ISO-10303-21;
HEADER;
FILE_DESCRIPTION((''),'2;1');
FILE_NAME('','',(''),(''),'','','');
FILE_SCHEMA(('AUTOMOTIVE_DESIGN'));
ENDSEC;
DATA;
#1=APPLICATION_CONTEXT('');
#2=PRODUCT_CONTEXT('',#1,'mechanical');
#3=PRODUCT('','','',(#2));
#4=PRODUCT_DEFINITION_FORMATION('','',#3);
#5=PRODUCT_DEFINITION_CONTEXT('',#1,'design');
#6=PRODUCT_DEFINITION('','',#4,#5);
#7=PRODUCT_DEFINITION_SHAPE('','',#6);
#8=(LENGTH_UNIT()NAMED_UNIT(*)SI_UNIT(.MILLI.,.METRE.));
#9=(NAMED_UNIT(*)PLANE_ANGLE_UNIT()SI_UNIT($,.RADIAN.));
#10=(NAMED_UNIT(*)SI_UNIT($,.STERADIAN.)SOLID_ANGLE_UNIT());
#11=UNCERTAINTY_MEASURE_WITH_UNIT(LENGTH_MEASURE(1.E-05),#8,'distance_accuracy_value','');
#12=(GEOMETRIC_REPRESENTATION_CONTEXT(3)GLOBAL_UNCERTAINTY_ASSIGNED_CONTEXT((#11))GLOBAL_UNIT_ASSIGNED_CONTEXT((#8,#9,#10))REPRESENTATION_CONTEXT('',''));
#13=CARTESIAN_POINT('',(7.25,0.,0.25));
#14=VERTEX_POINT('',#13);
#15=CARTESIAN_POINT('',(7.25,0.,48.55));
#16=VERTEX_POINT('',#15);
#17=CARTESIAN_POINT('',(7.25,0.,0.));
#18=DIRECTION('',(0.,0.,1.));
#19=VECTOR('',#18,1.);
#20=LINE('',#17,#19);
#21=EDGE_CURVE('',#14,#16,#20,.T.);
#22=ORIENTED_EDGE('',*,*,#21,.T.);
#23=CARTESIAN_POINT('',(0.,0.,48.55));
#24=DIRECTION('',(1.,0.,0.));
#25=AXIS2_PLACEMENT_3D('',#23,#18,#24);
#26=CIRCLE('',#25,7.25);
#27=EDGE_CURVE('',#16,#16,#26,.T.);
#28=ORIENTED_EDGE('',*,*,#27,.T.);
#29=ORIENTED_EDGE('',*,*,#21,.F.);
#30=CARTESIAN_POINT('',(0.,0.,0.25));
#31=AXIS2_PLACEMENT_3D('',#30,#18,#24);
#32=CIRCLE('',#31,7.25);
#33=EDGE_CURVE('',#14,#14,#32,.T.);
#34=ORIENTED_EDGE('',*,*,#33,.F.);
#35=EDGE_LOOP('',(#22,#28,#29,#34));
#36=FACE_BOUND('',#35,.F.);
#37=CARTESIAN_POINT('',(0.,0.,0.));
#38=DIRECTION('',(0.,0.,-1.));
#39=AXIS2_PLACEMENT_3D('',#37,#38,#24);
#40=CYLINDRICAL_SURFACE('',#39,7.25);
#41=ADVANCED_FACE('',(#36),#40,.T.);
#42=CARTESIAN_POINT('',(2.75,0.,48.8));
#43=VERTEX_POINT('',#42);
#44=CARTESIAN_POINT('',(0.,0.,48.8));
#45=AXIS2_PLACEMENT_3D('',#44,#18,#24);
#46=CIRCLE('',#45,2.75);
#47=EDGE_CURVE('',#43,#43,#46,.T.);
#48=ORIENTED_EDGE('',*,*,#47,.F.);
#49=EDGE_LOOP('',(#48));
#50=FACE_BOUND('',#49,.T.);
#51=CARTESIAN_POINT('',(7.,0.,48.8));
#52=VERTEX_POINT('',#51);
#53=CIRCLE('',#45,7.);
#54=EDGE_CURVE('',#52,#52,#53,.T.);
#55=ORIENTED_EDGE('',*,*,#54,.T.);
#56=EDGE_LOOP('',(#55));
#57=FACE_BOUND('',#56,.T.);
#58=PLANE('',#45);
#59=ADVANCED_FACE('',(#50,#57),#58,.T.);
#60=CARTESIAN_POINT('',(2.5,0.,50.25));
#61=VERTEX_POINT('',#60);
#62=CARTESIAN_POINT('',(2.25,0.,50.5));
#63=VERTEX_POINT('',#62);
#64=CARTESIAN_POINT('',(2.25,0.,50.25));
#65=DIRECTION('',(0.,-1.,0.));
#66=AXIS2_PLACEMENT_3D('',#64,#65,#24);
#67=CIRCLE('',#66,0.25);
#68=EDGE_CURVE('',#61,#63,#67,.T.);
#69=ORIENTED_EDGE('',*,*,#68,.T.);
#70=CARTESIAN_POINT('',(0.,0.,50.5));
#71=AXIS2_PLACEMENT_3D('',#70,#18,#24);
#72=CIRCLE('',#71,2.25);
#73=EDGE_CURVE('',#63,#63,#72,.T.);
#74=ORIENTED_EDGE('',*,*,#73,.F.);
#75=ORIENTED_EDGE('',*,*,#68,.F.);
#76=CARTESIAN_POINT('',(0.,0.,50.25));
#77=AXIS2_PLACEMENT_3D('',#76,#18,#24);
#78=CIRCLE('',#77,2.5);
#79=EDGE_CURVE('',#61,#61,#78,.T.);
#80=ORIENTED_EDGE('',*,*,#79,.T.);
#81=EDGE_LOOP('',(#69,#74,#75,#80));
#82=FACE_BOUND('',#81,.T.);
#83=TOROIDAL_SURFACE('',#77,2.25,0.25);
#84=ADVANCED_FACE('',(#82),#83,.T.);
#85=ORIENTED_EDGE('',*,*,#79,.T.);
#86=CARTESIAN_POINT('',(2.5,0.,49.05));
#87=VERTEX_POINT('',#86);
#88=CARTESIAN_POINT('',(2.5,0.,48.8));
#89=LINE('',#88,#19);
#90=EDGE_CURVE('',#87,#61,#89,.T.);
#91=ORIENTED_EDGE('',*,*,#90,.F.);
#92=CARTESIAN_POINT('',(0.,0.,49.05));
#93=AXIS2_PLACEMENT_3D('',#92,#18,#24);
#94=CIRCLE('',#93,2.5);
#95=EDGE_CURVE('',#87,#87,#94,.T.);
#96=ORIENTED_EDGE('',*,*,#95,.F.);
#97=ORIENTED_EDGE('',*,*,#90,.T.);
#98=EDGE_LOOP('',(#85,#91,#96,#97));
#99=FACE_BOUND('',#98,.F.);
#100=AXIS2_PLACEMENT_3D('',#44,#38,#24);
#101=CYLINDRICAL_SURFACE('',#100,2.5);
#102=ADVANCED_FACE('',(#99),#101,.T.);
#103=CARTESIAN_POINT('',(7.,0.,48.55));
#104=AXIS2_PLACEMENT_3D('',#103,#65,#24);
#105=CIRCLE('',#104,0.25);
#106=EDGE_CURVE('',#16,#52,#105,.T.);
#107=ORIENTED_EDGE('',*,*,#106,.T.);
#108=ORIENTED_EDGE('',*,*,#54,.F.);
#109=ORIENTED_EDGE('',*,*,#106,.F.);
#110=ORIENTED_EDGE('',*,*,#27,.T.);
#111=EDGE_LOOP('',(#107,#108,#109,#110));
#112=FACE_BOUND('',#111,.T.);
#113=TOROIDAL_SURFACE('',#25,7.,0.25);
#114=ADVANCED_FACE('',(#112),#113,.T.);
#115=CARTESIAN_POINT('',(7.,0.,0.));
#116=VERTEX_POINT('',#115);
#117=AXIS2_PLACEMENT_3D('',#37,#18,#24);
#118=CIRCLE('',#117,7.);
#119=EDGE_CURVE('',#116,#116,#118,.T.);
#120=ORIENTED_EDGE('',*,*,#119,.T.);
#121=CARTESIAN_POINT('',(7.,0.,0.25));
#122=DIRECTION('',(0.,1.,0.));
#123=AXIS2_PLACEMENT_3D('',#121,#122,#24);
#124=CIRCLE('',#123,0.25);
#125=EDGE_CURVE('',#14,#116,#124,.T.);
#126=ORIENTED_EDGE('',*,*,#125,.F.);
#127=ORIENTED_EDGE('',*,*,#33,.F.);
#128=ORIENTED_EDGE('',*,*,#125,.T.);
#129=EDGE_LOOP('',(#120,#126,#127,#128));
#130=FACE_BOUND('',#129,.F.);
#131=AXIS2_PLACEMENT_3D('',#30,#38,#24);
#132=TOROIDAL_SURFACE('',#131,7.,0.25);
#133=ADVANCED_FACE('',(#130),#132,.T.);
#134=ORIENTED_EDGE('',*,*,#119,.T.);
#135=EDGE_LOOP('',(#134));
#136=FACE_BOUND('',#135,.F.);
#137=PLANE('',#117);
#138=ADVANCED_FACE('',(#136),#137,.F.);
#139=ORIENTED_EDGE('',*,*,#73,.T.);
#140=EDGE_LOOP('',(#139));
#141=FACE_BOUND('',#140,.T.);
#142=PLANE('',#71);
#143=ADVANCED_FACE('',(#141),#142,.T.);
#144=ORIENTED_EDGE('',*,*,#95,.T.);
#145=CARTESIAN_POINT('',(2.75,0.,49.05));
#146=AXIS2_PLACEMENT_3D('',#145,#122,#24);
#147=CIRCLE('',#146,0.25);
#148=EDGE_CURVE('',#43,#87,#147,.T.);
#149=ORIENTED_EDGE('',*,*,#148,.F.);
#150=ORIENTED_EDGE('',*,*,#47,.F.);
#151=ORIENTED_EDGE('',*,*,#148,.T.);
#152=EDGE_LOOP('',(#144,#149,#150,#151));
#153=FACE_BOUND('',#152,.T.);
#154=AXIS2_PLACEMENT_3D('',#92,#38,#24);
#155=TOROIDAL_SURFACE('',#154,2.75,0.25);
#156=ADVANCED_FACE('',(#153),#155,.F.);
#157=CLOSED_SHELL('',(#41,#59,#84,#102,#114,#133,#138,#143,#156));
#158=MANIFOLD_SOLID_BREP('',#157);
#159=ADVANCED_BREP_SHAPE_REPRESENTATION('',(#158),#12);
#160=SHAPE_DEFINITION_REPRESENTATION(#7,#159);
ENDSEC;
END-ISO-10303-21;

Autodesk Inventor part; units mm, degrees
ref_plane "YZ Plane" through (0, 0, 0) normal (1, 0, 0) x (0, 1, 0)
ref_plane "XZ Plane" through (0, 0, 0) normal (0, 1, 0) x (-1, 0, 0)
ref_plane "XY Plane" through (0, 0, 0) normal (0, 0, 1) x (1, 0, 0)
sketch "スケッチ1" plane through (0, 0, 0) normal (0, 0, 1) x (1, 0, 0)
  circle A0 centre (0, 0) radius 7.25
  dimension "d0" = 14.5
extrude "押し出し1" add sketch "スケッチ1" along normal blind 48.8
sketch "スケッチ2" plane through (0, 0, 48.8) normal (0, 0, 1) x (1, 0, 0)
  circle A0 centre (0, 0) radius 2.5
  dimension "d3" = 5
extrude "押し出し2" add sketch "スケッチ2" along normal blind 1.7
fillet "フィレット1" radius 0.25 4 edges at (-7.25, 0, 48.8) (-7.25, 0, 0) (-2.5, 0, 50.5) (-2.5, 0, 48.8)
properties part number "battery"
